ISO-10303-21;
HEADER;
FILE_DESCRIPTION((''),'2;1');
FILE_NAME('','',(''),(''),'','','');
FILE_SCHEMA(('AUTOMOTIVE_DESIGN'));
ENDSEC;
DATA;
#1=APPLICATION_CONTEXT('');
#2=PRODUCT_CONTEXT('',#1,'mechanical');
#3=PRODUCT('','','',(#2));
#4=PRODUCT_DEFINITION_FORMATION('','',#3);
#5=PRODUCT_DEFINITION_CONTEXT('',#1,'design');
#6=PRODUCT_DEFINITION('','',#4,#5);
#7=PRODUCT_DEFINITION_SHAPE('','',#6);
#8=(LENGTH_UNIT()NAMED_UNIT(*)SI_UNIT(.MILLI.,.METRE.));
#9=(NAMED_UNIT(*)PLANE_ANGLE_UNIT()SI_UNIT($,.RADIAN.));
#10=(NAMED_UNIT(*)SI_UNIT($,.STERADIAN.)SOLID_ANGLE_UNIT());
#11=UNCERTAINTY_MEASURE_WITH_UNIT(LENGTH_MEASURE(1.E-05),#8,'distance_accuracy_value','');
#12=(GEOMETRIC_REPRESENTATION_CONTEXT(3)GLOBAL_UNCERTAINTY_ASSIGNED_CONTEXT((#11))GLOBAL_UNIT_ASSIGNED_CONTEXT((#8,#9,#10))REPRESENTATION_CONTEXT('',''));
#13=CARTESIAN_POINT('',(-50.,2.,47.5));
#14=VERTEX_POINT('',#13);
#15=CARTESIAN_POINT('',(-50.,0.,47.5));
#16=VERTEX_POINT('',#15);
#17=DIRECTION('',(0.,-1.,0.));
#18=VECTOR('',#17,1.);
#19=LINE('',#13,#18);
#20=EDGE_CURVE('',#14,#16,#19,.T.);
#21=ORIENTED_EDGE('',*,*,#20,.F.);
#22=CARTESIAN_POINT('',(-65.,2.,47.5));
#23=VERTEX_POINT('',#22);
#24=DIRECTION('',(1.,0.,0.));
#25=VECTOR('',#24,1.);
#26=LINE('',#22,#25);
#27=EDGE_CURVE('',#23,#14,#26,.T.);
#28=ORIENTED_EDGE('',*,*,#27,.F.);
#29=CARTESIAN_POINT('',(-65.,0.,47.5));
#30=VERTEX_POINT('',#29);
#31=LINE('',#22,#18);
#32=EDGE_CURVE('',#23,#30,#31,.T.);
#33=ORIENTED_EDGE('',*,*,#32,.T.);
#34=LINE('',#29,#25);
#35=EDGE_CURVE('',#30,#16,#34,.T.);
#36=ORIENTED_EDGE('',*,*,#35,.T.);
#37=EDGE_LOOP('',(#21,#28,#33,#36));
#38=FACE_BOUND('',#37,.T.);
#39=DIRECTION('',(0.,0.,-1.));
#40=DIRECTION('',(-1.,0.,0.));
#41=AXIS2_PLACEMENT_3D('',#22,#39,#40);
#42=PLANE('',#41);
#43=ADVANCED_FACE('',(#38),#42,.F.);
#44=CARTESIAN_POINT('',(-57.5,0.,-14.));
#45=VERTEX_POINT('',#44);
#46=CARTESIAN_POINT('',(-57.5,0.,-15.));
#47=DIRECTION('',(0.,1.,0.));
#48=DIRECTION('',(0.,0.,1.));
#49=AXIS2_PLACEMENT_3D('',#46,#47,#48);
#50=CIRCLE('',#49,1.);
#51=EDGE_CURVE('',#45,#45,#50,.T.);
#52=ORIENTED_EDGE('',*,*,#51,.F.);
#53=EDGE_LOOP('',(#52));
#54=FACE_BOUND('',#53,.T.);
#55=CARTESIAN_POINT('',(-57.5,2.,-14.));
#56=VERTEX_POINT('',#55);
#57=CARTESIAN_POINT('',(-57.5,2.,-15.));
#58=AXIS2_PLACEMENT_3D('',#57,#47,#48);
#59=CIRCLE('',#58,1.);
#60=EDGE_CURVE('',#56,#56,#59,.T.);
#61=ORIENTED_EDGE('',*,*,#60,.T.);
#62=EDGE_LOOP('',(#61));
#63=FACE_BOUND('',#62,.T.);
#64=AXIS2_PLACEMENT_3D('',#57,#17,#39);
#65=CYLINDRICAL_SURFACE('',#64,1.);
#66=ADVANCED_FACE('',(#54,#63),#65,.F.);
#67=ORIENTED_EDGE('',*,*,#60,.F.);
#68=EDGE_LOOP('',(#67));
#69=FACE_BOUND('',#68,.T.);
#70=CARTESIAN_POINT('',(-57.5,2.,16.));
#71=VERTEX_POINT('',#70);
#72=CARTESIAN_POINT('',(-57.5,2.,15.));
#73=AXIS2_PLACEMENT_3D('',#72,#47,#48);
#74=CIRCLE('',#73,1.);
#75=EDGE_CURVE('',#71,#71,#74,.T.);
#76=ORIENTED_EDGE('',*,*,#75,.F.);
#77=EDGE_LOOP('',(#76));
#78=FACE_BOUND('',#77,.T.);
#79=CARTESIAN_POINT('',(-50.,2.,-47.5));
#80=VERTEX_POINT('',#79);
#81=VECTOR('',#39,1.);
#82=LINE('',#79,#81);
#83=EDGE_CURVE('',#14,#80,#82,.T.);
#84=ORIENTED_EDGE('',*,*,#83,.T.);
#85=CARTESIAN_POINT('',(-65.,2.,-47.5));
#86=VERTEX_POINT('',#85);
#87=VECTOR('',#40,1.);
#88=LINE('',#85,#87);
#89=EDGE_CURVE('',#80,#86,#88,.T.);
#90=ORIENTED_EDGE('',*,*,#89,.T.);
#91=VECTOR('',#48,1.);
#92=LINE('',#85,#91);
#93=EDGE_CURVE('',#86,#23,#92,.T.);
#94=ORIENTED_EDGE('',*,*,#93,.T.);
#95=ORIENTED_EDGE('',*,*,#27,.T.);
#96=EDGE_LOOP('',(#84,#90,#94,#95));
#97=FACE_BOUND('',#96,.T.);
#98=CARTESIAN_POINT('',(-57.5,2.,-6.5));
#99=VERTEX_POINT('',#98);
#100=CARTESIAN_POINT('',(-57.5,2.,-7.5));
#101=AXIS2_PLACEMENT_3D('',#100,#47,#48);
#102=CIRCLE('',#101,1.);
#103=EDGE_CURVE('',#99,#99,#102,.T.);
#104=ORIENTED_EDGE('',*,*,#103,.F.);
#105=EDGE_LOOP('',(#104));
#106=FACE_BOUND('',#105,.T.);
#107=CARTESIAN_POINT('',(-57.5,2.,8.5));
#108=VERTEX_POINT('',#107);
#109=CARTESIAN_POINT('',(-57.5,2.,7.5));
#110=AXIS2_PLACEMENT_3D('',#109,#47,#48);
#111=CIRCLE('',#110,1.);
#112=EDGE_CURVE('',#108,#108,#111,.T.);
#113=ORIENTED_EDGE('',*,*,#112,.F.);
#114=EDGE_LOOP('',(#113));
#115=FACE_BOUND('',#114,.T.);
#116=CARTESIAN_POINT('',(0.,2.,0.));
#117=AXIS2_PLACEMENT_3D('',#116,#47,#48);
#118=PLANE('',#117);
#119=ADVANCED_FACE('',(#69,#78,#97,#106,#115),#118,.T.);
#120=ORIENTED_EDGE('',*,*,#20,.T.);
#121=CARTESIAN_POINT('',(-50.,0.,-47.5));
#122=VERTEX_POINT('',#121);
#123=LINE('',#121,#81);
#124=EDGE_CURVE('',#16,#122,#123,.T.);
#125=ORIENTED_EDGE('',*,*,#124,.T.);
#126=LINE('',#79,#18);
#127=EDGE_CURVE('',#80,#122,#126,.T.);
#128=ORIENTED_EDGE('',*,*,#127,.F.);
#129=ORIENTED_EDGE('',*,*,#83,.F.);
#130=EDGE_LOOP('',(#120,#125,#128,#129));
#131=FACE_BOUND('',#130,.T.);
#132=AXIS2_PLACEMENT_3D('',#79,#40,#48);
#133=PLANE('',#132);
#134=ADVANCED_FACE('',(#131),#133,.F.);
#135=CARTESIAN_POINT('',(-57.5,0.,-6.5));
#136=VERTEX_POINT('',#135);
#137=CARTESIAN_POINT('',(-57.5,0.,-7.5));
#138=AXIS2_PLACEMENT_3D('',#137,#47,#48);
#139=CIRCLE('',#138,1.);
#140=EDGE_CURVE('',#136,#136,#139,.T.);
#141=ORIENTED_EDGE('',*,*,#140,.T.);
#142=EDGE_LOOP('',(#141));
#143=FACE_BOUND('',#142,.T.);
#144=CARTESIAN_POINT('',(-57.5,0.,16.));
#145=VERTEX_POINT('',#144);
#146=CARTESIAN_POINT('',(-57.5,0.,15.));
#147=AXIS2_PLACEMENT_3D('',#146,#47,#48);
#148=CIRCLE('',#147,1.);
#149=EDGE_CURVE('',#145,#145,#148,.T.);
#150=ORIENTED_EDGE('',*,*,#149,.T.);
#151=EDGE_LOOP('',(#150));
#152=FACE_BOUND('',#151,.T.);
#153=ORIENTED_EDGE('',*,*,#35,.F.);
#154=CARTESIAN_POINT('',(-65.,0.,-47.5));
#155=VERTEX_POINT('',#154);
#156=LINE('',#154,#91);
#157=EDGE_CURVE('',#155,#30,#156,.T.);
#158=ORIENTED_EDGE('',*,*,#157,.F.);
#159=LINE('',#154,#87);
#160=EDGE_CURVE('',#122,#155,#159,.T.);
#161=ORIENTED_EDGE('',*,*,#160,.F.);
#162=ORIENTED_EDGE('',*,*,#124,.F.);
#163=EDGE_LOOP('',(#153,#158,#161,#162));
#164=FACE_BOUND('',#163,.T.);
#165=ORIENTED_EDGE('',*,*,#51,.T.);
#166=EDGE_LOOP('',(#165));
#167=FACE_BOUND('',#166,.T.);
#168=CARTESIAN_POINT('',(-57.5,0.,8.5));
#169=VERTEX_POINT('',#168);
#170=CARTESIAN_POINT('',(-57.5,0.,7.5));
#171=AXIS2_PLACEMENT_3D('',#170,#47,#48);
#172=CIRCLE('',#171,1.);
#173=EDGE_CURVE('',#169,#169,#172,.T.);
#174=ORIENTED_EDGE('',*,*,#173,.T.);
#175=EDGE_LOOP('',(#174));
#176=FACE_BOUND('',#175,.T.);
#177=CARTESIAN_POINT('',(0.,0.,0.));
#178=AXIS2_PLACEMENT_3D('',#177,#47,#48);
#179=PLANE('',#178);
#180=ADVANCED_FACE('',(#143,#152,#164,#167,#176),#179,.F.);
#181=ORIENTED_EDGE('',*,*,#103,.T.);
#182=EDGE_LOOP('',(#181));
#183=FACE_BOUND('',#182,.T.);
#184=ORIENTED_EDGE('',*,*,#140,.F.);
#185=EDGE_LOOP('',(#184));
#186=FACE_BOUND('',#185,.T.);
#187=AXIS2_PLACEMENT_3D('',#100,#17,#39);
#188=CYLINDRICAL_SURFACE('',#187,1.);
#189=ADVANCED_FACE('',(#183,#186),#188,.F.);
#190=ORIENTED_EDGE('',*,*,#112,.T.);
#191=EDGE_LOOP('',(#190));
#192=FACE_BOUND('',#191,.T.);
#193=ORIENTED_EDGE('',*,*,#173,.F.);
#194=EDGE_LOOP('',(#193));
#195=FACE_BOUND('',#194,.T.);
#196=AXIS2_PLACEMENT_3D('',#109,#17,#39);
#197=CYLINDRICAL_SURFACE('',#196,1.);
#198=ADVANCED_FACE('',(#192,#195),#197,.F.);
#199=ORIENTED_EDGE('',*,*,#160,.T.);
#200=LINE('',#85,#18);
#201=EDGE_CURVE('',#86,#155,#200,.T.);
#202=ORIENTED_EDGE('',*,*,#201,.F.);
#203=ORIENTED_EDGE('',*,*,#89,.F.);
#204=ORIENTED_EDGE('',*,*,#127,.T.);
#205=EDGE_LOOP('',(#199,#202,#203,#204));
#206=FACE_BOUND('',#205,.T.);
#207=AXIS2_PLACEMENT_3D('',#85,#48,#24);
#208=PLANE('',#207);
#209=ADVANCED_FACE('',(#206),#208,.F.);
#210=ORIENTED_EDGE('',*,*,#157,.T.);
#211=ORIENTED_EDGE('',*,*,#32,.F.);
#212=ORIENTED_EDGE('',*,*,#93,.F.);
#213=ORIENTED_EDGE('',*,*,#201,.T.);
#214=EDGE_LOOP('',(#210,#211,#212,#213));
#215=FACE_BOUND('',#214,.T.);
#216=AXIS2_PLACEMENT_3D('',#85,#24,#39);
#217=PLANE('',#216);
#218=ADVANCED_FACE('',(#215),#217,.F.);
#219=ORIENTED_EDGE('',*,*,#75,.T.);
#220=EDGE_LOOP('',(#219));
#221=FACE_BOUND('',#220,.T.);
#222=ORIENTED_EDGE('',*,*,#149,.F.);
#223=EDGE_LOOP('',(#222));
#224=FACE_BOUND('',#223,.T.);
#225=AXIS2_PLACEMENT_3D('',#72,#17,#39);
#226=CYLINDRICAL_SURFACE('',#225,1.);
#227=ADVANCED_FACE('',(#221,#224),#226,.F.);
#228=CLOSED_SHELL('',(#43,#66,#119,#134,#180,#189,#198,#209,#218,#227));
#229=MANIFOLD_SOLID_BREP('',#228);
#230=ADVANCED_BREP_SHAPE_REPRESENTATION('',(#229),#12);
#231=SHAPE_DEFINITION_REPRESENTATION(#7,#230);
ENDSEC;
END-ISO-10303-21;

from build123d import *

# Parameters (mm, degrees)
SKETCH1_W           = 15
SKETCH1_H           = 95
SKETCH1_R           = 1
BOSS_EXTRUDE1_DEPTH = 2


with BuildPart() as part:
    # Sketch1 → Boss-Extrude1 (new body)
    with BuildSketch(Plane(origin=(0, 0, 0), x_dir=(1, 0, 0), z_dir=(0, 1, 0))):
        with Locations((-57.5, 0)):
            Rectangle(SKETCH1_W, SKETCH1_H)
        with Locations(Location((-57.5, 15, 0), (0, 0, 270))):
            Circle(SKETCH1_R, mode=Mode.SUBTRACT)
        with Locations(Location((-57.5, -7.5, 0), (0, 0, 270))):
            Circle(SKETCH1_R, mode=Mode.SUBTRACT)
        with Locations(Location((-57.5, -15, 0), (0, 0, 270))):
            Circle(SKETCH1_R, mode=Mode.SUBTRACT)
        with Locations(Location((-57.5, 7.5, 0), (0, 0, 270))):
            Circle(SKETCH1_R, mode=Mode.SUBTRACT)
    extrude(amount=BOSS_EXTRUDE1_DEPTH)


solid = part.part
